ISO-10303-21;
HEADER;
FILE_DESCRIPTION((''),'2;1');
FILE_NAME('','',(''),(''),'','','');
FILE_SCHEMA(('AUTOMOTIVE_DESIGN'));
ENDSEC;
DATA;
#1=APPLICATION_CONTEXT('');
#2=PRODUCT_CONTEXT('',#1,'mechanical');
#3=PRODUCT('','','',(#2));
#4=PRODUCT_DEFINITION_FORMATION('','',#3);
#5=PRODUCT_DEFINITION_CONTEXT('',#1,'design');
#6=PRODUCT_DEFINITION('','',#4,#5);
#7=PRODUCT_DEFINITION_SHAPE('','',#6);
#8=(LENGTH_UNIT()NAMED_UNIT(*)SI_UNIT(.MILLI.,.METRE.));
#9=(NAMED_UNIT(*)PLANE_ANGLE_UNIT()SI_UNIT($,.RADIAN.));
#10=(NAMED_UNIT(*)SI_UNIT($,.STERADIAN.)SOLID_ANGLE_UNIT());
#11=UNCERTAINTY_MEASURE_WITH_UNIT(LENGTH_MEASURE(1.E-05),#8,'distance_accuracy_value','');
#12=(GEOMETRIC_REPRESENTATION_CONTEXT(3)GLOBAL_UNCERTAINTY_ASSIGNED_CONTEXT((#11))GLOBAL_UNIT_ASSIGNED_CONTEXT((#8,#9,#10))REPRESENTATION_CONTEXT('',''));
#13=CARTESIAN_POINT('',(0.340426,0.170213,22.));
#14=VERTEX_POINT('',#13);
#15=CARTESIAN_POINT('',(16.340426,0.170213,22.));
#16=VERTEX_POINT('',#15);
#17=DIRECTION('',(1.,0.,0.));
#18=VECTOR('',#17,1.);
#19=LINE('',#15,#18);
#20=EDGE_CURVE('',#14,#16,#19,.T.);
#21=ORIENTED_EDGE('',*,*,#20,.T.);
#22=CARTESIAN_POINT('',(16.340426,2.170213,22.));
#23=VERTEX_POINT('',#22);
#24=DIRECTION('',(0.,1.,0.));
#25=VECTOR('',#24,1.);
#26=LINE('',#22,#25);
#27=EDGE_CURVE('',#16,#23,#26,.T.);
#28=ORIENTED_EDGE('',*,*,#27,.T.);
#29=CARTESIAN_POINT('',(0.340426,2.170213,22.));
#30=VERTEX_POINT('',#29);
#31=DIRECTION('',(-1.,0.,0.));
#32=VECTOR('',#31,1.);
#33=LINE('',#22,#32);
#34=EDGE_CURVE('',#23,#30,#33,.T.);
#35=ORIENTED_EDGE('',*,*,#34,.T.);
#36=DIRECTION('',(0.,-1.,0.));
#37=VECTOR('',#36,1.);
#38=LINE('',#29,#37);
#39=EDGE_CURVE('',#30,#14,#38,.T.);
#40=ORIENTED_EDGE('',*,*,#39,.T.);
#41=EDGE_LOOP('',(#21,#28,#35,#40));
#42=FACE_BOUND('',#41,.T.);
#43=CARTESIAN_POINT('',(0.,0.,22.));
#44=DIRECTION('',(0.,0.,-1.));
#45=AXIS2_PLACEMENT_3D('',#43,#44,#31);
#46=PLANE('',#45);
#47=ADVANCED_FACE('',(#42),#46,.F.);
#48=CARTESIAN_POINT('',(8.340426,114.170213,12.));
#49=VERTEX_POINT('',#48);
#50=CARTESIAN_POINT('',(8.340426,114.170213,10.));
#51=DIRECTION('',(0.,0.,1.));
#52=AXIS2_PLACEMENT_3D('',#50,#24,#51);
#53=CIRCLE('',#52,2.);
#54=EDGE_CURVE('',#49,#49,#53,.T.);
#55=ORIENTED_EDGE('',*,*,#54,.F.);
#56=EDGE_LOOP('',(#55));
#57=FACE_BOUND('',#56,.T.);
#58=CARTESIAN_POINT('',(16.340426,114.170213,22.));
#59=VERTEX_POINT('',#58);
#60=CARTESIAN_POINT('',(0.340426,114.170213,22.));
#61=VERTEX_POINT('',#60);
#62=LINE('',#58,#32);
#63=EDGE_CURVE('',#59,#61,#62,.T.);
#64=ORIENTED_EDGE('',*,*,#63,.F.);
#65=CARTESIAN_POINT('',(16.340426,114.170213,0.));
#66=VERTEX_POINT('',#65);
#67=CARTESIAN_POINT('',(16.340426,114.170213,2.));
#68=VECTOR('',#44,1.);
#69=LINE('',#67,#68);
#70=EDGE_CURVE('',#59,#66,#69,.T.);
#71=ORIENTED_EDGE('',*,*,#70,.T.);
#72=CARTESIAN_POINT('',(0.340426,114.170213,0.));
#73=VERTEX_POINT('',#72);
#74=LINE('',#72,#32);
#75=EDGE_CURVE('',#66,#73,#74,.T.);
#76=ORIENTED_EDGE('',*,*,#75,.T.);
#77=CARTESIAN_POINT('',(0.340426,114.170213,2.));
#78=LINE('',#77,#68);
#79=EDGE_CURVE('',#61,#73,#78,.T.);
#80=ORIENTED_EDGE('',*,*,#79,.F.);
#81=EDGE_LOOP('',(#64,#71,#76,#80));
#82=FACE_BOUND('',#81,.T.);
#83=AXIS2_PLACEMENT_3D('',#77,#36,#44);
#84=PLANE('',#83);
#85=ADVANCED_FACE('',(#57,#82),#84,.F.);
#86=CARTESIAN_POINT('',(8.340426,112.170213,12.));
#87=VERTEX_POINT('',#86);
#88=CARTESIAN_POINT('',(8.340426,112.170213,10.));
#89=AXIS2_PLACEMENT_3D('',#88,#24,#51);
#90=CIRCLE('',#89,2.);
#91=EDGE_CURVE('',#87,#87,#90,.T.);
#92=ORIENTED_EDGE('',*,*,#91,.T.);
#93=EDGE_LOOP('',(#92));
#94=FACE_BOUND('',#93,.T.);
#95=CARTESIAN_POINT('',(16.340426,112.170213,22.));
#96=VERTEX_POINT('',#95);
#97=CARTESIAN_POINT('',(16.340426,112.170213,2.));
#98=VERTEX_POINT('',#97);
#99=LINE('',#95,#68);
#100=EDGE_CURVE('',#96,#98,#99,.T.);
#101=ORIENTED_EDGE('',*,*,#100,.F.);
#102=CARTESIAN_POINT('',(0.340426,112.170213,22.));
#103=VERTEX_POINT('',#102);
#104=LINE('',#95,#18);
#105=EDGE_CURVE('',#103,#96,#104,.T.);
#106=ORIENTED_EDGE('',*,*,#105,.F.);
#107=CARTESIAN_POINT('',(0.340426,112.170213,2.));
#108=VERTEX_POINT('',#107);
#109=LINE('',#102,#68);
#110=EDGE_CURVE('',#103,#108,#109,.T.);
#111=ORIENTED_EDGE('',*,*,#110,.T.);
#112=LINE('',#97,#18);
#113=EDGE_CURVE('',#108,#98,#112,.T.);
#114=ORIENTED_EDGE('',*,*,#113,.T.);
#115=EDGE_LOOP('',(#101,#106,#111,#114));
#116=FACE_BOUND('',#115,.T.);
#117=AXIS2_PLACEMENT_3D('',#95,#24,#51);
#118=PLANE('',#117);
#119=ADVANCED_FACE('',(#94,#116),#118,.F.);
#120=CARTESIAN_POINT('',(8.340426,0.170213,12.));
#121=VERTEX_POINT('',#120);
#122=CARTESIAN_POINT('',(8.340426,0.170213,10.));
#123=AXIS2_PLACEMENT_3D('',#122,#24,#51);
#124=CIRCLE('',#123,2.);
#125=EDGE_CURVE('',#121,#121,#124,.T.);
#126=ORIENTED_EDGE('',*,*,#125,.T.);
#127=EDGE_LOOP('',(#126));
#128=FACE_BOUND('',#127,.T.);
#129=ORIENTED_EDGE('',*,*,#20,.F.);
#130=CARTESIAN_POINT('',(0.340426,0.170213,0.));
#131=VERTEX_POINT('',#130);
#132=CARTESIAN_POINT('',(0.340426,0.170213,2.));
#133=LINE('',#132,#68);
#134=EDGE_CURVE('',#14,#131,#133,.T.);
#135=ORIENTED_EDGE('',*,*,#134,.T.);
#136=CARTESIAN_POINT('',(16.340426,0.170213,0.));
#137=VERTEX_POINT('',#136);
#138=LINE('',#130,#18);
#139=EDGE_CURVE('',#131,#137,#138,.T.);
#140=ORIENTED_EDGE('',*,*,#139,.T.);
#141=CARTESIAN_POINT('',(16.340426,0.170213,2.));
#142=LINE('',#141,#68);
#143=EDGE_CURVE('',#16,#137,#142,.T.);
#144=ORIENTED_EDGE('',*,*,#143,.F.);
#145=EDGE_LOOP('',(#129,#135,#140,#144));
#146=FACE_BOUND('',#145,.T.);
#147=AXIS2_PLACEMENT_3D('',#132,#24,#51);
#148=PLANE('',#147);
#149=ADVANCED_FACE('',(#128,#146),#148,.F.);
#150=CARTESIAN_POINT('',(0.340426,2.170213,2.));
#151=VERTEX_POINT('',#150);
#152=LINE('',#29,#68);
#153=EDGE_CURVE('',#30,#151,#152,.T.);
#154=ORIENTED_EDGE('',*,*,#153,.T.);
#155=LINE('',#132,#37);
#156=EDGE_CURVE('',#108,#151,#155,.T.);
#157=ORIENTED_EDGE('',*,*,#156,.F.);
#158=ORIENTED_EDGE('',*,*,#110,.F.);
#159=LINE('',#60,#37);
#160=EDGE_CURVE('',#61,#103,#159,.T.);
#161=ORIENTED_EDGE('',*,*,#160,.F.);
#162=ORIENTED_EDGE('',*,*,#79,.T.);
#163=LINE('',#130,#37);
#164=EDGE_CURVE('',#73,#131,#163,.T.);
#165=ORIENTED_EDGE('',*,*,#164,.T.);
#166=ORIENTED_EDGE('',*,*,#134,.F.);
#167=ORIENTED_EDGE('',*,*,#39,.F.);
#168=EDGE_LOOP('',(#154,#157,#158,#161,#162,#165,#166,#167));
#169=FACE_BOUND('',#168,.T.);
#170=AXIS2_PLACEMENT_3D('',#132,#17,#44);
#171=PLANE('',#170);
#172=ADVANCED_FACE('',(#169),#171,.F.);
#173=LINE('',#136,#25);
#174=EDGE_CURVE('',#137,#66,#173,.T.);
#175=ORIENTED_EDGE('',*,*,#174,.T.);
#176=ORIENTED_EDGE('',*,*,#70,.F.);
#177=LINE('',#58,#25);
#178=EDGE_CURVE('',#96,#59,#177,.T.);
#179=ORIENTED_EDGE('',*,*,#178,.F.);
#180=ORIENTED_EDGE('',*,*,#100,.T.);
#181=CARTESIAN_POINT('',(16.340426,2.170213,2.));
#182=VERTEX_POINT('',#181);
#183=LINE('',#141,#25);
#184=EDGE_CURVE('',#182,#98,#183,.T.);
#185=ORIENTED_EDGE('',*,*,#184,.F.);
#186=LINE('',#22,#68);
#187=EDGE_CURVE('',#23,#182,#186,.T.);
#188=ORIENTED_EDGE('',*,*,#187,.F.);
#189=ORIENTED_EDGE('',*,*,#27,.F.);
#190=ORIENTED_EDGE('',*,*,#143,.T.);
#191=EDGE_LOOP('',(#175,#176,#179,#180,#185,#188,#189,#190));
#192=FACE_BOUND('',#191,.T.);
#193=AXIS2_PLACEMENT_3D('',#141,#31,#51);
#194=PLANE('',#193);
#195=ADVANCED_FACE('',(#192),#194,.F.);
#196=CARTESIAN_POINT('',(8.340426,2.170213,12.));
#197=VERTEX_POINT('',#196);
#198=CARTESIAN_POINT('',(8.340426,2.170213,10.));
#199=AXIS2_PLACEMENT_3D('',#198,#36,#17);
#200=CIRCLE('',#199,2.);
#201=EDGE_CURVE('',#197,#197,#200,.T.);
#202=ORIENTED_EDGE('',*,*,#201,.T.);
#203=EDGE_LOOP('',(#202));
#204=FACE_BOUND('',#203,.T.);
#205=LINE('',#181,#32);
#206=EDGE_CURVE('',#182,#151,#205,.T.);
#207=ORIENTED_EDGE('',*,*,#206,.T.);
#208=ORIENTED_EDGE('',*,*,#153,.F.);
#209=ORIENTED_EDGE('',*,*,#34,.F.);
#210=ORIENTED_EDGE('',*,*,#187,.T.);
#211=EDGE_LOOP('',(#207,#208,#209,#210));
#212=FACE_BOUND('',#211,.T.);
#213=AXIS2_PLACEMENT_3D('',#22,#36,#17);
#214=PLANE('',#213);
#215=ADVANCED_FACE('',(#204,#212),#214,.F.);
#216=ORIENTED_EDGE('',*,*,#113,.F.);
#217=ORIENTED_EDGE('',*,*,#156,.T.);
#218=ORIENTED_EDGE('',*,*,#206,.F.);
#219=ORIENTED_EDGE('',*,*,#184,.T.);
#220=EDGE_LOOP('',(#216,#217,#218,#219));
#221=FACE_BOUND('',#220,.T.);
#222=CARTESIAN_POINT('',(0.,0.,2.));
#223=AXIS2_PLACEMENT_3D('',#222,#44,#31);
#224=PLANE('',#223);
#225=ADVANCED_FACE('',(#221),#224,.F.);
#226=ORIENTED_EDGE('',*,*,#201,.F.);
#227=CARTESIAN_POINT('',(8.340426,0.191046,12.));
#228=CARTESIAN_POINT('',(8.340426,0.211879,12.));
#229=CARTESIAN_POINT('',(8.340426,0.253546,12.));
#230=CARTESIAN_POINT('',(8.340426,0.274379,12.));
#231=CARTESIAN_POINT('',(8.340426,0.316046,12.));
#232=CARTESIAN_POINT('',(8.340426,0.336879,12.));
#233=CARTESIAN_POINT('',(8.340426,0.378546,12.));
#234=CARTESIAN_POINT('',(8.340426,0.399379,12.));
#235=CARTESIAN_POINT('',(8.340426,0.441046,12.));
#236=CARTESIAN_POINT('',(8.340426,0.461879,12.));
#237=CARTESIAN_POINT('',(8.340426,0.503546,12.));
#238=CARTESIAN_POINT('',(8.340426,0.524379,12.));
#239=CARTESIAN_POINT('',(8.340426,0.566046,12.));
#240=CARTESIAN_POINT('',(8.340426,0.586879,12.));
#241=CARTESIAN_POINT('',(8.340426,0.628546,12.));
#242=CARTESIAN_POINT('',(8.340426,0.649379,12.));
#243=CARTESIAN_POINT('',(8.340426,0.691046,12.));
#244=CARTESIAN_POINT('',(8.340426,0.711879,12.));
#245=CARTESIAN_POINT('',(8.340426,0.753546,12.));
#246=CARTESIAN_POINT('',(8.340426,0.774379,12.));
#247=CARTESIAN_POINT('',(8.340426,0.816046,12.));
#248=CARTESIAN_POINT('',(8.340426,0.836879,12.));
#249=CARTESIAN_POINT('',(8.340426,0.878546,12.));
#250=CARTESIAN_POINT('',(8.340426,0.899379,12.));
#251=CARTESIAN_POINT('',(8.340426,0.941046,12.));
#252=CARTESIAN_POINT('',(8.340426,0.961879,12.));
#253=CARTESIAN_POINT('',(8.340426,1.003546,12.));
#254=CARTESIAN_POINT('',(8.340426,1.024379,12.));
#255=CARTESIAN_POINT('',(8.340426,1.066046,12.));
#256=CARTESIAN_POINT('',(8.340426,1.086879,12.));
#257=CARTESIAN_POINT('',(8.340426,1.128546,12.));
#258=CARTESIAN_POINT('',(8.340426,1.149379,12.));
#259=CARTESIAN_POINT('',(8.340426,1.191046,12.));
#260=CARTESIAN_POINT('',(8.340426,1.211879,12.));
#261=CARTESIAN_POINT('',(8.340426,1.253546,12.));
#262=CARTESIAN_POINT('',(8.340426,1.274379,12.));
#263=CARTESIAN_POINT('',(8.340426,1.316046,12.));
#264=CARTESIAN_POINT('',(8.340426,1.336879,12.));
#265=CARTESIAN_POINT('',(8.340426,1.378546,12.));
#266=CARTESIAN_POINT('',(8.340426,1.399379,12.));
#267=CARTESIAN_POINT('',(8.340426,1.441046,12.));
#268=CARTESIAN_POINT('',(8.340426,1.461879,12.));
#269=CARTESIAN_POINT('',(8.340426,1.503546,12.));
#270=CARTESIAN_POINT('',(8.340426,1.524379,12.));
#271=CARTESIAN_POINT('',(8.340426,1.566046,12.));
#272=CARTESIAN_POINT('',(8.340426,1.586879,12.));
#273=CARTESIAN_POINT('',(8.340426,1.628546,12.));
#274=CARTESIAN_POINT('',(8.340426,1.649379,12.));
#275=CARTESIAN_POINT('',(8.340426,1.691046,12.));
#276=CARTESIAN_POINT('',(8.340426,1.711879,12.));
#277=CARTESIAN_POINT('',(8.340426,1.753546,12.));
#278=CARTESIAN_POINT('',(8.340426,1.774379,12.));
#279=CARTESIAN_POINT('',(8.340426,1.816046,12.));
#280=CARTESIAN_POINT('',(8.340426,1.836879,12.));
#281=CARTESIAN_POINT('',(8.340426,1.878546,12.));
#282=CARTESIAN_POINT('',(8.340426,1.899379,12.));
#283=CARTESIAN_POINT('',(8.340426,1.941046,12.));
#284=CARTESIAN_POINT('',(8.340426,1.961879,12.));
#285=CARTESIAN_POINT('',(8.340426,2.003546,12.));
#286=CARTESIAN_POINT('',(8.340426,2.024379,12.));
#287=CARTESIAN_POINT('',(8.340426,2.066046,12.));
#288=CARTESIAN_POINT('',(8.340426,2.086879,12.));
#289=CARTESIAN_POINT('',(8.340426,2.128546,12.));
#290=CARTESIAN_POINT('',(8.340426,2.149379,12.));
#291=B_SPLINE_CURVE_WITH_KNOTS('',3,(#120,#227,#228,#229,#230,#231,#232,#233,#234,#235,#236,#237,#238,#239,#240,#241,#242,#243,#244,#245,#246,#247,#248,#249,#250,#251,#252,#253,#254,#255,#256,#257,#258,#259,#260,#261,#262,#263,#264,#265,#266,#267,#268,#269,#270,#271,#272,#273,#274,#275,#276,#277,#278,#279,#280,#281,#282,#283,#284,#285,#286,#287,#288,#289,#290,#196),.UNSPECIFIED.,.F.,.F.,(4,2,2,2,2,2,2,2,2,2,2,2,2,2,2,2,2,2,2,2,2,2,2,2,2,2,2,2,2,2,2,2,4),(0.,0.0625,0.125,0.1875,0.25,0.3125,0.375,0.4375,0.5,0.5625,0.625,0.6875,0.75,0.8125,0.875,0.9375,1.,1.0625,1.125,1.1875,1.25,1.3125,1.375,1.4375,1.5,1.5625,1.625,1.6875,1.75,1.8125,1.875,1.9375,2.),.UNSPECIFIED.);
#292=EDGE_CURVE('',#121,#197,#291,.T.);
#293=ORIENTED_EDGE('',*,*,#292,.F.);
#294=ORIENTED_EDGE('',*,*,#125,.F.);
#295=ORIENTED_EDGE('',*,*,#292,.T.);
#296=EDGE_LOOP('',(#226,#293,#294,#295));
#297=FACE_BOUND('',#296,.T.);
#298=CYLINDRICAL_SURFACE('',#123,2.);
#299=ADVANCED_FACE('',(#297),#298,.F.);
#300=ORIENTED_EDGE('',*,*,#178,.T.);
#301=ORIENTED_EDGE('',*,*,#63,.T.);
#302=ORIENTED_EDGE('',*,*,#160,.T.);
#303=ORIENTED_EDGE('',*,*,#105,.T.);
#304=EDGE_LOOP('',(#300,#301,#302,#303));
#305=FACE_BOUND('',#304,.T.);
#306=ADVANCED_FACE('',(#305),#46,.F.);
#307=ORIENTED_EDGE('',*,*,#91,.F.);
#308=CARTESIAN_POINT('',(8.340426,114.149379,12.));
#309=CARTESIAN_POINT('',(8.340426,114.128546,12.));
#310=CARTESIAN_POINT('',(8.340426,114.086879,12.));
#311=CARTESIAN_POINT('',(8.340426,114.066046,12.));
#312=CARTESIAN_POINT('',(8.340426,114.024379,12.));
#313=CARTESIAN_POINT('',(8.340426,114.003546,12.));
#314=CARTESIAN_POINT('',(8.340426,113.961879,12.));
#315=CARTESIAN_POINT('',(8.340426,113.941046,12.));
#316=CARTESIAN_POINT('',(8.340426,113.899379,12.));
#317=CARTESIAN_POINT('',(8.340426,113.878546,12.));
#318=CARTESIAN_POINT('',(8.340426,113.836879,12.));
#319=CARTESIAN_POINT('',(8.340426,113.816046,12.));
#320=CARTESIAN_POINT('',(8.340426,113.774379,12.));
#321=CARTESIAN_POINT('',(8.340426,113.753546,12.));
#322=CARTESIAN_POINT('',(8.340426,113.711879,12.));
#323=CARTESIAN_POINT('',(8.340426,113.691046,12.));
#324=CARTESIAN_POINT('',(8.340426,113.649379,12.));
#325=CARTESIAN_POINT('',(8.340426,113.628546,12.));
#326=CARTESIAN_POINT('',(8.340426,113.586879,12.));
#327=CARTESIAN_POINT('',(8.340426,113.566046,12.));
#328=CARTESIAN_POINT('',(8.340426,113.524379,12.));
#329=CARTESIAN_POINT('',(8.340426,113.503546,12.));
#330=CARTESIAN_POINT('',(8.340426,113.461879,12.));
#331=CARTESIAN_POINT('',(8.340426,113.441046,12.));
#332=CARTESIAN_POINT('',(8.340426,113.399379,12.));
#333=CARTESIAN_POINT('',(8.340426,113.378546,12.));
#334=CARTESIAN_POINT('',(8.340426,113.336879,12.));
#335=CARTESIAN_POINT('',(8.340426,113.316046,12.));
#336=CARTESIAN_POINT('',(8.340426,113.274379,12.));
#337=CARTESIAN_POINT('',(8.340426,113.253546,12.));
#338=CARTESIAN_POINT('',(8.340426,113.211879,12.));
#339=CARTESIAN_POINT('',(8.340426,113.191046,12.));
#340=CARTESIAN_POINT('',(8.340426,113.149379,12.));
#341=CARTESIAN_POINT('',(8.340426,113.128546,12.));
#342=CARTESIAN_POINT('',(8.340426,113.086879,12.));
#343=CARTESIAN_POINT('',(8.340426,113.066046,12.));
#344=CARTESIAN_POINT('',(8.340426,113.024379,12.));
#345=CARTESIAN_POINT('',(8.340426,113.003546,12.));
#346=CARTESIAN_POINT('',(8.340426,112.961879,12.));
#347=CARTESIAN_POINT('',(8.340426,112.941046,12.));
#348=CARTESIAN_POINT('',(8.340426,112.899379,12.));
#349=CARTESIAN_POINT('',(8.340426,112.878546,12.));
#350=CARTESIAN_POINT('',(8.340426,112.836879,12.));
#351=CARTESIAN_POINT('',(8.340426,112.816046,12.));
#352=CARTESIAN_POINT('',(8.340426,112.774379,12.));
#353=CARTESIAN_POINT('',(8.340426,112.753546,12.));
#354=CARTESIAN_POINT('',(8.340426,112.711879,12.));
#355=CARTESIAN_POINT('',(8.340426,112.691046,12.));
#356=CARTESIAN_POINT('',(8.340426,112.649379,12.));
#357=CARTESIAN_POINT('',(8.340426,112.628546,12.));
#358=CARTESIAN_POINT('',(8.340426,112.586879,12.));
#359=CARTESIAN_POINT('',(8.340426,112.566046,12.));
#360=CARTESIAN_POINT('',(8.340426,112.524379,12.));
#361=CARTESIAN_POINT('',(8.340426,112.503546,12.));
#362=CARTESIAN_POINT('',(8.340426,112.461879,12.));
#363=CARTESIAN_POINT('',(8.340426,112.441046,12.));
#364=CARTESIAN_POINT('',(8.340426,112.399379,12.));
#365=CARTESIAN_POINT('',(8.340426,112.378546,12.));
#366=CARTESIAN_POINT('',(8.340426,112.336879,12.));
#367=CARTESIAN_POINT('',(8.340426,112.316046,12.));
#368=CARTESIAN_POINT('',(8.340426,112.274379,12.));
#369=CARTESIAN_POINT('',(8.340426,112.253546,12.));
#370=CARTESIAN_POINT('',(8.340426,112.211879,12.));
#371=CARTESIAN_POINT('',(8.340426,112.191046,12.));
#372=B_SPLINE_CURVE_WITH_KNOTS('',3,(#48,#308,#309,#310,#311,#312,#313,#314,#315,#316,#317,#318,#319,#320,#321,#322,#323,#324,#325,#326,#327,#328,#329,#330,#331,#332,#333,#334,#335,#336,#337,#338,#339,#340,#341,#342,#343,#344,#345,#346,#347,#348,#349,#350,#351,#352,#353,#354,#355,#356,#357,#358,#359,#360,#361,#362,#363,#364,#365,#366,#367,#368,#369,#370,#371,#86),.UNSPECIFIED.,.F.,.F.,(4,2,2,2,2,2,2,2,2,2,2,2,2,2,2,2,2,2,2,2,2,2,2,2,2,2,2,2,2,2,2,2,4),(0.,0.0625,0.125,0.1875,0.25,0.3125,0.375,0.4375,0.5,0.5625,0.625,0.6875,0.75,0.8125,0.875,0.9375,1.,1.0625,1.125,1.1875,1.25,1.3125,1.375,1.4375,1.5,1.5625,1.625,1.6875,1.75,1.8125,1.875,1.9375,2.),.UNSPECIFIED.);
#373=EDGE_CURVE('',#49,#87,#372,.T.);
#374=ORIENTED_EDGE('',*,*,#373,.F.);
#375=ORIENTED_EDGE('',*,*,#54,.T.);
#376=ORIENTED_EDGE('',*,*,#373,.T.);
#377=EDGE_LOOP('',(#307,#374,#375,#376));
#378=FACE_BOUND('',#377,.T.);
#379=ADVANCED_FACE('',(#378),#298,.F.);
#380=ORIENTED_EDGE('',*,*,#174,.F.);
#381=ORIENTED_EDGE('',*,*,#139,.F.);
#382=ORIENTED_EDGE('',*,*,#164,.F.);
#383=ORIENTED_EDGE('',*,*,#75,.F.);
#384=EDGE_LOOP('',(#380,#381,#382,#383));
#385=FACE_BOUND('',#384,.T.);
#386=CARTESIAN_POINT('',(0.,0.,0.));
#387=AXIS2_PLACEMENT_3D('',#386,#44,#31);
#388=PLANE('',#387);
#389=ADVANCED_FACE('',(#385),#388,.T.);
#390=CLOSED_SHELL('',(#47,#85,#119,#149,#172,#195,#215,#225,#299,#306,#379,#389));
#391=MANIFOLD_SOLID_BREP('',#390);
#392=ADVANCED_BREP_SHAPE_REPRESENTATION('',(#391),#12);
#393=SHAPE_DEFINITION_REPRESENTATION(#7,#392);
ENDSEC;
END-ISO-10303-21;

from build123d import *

# Parameters (mm, degrees)
SKETCH1_W           = 16
SKETCH1_H           = 114
BOSS_EXTRUDE2_DEPTH = 2
SKETCH2_W           = 16
SKETCH2_H           = 2
BOSS_EXTRUDE3_DEPTH = 20
SKETCH3_W           = 16
SKETCH3_H           = 2
BOSS_EXTRUDE4_DEPTH = 20
SKETCH4_R           = 2
CUT_EXTRUDE2_DEPTH  = 118.247641795


with BuildPart() as part:
    # Sketch1 → Boss-Extrude2 (new body)
    with BuildSketch(Plane.XY):
        with Locations((8.340425532, 57.170212766)):
            Rectangle(SKETCH1_W, SKETCH1_H)
    extrude(amount=BOSS_EXTRUDE2_DEPTH)

    # Sketch2 → Boss-Extrude3 (add)
    with BuildSketch(Plane.XY.offset(2)):
        with Locations((8.340425532, 113.170212766)):
            Rectangle(SKETCH2_W, SKETCH2_H)
    extrude(amount=BOSS_EXTRUDE3_DEPTH)

    # Sketch3 → Boss-Extrude4 (add)
    with BuildSketch(Plane.XY.offset(2)):
        with Locations((8.340425532, 1.170212766)):
            Rectangle(SKETCH3_W, SKETCH3_H)
    extrude(amount=BOSS_EXTRUDE4_DEPTH)

    # Sketch4 → Cut-Extrude2 (cut, through all)
    with BuildSketch(Plane(origin=(0, 114.170212766, 0), x_dir=(1, 0, 0), z_dir=(0, 1, 0))):
        with Locations(Location((8.340425532, -10, 0), (0, 0, 270))):
            Circle(SKETCH4_R)
    extrude(amount=-CUT_EXTRUDE2_DEPTH, mode=Mode.SUBTRACT)


solid = part.part
